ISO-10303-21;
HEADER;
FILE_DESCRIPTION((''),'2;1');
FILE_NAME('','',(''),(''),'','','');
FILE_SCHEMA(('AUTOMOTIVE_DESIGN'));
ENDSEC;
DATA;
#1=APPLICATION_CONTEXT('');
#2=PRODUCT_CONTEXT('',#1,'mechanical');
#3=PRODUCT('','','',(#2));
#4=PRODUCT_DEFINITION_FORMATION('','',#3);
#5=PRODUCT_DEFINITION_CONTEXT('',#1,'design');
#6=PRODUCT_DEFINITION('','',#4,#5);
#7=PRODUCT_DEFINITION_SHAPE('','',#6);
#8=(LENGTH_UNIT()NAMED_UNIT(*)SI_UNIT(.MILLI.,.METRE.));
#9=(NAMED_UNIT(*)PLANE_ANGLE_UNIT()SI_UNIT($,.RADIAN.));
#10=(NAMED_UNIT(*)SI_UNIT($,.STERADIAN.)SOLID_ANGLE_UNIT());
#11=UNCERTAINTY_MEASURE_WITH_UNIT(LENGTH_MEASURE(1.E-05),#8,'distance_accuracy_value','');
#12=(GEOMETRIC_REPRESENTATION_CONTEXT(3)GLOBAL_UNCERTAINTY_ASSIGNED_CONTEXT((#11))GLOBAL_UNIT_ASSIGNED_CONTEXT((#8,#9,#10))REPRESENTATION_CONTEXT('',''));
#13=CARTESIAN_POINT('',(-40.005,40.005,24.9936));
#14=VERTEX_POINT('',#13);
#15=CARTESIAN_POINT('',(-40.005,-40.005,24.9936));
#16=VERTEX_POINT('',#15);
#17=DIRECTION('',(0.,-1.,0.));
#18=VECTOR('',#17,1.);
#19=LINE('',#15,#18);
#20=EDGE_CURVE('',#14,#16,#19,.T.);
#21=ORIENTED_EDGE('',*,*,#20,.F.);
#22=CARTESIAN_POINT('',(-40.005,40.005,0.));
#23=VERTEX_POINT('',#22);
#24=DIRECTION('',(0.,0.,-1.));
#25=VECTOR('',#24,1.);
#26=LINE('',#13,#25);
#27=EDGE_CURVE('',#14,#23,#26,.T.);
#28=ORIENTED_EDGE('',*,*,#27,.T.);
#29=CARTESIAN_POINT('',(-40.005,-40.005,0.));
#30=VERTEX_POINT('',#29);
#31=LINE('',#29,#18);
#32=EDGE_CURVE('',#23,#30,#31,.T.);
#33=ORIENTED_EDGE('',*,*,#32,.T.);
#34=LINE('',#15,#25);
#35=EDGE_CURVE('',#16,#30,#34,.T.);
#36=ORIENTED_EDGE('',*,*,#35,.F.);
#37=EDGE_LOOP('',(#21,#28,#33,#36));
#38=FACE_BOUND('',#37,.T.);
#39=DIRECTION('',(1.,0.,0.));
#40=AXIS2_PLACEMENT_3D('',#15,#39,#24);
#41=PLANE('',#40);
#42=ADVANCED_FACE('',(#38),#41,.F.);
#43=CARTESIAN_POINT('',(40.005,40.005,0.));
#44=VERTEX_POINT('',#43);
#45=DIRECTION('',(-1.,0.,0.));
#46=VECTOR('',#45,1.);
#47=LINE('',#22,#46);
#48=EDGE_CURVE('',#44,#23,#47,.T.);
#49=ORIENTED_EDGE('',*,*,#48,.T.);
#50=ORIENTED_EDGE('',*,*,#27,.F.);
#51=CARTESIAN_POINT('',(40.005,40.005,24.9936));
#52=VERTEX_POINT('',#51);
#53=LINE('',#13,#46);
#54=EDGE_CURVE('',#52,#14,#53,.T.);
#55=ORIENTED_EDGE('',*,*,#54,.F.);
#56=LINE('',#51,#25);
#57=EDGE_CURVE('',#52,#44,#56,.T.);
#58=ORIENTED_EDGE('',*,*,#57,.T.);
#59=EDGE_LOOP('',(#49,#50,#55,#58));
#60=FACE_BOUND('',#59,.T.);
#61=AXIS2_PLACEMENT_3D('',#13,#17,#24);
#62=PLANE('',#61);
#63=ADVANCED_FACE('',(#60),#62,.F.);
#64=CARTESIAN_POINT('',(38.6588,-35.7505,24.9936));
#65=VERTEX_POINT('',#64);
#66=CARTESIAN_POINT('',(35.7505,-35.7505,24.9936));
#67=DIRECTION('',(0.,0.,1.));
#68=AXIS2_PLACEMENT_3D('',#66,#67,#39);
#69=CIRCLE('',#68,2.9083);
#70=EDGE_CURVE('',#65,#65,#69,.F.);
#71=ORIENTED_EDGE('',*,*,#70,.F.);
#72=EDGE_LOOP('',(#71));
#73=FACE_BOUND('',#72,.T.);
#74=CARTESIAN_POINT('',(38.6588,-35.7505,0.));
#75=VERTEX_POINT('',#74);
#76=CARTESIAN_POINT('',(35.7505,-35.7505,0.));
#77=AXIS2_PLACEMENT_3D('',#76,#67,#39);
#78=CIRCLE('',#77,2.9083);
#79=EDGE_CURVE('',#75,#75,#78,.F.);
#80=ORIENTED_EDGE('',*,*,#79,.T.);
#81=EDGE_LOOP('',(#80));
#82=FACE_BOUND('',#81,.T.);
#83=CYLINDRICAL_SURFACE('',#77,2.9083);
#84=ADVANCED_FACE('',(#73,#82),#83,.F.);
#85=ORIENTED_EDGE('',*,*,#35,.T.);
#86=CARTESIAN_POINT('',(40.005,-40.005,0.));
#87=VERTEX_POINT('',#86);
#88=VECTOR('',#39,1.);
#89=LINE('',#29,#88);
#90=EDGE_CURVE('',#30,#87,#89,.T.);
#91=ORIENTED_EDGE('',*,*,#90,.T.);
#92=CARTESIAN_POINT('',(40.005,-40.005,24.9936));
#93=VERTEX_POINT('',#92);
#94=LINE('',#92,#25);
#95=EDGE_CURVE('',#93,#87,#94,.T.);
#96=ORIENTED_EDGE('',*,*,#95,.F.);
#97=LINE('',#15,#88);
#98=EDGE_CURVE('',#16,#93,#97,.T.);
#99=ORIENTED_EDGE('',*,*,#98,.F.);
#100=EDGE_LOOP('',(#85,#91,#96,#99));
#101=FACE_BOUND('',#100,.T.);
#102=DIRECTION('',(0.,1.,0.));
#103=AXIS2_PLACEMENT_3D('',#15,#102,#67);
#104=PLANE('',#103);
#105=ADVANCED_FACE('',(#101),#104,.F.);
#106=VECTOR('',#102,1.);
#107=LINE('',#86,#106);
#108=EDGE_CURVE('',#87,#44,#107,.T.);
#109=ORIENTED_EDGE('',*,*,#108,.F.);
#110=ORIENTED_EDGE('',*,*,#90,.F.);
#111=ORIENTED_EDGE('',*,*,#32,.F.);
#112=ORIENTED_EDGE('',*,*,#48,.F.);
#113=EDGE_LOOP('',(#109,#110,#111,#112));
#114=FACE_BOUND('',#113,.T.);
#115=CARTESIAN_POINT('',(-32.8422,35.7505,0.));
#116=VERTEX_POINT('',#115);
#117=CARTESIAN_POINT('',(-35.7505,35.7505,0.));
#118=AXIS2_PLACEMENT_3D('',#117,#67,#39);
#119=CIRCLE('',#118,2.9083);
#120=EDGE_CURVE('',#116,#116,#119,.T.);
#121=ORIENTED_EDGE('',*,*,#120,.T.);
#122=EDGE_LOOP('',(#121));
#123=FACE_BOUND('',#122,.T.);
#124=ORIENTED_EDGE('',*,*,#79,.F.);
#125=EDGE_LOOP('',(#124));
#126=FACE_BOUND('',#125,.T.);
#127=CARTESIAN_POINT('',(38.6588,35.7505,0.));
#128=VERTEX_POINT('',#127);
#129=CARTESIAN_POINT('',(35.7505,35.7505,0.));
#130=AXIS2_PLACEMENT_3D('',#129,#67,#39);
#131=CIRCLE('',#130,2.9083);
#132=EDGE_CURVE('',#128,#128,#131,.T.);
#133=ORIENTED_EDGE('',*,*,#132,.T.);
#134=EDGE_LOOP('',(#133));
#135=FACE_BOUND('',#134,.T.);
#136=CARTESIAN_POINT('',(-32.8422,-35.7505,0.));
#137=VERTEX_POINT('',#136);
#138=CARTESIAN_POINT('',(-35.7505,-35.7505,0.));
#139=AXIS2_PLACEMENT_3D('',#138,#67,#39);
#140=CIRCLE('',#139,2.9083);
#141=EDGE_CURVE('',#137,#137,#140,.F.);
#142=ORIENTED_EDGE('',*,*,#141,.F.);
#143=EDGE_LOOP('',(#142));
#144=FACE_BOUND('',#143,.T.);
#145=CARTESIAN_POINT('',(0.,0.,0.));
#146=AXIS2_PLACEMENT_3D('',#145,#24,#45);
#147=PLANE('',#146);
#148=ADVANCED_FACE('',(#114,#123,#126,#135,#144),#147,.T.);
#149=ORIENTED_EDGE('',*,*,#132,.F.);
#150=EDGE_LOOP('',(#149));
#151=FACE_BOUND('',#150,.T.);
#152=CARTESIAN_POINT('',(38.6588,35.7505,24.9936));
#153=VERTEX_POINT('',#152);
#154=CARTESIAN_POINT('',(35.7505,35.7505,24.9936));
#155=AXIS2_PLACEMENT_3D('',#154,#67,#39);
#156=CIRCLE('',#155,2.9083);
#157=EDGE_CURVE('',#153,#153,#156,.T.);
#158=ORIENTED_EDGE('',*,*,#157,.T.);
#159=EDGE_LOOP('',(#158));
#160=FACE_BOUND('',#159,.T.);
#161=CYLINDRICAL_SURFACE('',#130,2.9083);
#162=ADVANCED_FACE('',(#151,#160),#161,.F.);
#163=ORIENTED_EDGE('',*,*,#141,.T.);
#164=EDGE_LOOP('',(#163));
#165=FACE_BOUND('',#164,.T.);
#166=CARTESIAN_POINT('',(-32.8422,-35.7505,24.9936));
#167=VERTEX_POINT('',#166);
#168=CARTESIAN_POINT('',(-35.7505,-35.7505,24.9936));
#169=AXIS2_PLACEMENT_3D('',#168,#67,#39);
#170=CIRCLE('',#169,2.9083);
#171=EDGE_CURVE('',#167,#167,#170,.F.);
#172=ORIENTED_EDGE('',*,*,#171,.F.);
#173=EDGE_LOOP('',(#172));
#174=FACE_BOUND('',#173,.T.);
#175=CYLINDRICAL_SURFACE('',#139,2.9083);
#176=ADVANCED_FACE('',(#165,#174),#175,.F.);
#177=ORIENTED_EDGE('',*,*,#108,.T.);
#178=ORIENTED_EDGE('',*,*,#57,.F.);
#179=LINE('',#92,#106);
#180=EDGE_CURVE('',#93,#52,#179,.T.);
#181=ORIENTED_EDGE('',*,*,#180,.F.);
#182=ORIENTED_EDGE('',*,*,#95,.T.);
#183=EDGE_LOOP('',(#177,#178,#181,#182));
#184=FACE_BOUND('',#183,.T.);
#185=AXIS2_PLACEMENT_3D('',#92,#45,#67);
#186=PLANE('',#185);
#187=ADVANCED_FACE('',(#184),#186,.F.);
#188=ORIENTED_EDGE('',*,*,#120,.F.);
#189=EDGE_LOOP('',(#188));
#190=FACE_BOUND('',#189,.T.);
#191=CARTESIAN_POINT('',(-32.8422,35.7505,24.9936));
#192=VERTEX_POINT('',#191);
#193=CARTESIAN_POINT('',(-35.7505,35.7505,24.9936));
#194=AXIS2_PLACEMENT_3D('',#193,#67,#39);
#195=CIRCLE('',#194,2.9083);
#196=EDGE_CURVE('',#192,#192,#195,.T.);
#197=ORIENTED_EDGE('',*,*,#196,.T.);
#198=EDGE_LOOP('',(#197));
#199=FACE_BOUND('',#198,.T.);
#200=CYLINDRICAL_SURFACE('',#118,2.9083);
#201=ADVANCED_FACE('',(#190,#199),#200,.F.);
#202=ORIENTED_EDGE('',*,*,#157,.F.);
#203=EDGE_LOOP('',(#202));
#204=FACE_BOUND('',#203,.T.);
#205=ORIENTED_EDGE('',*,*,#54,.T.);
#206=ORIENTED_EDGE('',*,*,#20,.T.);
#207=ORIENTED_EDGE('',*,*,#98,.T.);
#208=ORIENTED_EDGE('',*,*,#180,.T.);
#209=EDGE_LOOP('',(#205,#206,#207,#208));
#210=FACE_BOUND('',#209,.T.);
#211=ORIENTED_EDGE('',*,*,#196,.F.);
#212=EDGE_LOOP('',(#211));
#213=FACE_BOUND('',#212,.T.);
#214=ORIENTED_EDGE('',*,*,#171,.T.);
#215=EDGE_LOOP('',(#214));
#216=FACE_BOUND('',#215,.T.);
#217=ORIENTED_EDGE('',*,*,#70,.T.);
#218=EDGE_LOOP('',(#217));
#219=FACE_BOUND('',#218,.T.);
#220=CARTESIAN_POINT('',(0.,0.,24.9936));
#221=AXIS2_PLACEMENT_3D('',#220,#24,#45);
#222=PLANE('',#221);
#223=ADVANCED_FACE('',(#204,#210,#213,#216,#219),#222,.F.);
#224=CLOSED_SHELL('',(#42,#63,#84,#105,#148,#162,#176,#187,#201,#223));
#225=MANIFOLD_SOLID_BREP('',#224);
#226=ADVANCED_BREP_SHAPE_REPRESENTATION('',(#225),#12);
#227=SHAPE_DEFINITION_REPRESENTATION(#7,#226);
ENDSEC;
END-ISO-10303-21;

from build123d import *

# Parameters (mm, degrees)
SKETCH1_W           = 80.01
SKETCH1_H           = 80.01
BOSS_EXTRUDE1_DEPTH = 24.9936
SKETCH2_R           = 2.9083
CUT_EXTRUDE1_DEPTH  = 62.850465568


with BuildPart() as part:
    # Sketch1 → Boss-Extrude1 (new body)
    with BuildSketch(Plane.XY):
        Rectangle(SKETCH1_W, SKETCH1_H)
    extrude(amount=BOSS_EXTRUDE1_DEPTH)

    # Sketch2 → Cut-Extrude1 (cut, through all)
    with BuildSketch(Plane.XY.offset(24.9936)):
        with Locations((-35.7505, 35.7505)):
            Circle(SKETCH2_R)
        with Locations((35.7505, 35.7505)):
            Circle(SKETCH2_R)
        with Locations((-35.7505, -35.7505)):
            Circle(SKETCH2_R)
        with Locations((35.7505, -35.7505)):
            Circle(SKETCH2_R)
    extrude(amount=-CUT_EXTRUDE1_DEPTH, mode=Mode.SUBTRACT)


solid = part.part
